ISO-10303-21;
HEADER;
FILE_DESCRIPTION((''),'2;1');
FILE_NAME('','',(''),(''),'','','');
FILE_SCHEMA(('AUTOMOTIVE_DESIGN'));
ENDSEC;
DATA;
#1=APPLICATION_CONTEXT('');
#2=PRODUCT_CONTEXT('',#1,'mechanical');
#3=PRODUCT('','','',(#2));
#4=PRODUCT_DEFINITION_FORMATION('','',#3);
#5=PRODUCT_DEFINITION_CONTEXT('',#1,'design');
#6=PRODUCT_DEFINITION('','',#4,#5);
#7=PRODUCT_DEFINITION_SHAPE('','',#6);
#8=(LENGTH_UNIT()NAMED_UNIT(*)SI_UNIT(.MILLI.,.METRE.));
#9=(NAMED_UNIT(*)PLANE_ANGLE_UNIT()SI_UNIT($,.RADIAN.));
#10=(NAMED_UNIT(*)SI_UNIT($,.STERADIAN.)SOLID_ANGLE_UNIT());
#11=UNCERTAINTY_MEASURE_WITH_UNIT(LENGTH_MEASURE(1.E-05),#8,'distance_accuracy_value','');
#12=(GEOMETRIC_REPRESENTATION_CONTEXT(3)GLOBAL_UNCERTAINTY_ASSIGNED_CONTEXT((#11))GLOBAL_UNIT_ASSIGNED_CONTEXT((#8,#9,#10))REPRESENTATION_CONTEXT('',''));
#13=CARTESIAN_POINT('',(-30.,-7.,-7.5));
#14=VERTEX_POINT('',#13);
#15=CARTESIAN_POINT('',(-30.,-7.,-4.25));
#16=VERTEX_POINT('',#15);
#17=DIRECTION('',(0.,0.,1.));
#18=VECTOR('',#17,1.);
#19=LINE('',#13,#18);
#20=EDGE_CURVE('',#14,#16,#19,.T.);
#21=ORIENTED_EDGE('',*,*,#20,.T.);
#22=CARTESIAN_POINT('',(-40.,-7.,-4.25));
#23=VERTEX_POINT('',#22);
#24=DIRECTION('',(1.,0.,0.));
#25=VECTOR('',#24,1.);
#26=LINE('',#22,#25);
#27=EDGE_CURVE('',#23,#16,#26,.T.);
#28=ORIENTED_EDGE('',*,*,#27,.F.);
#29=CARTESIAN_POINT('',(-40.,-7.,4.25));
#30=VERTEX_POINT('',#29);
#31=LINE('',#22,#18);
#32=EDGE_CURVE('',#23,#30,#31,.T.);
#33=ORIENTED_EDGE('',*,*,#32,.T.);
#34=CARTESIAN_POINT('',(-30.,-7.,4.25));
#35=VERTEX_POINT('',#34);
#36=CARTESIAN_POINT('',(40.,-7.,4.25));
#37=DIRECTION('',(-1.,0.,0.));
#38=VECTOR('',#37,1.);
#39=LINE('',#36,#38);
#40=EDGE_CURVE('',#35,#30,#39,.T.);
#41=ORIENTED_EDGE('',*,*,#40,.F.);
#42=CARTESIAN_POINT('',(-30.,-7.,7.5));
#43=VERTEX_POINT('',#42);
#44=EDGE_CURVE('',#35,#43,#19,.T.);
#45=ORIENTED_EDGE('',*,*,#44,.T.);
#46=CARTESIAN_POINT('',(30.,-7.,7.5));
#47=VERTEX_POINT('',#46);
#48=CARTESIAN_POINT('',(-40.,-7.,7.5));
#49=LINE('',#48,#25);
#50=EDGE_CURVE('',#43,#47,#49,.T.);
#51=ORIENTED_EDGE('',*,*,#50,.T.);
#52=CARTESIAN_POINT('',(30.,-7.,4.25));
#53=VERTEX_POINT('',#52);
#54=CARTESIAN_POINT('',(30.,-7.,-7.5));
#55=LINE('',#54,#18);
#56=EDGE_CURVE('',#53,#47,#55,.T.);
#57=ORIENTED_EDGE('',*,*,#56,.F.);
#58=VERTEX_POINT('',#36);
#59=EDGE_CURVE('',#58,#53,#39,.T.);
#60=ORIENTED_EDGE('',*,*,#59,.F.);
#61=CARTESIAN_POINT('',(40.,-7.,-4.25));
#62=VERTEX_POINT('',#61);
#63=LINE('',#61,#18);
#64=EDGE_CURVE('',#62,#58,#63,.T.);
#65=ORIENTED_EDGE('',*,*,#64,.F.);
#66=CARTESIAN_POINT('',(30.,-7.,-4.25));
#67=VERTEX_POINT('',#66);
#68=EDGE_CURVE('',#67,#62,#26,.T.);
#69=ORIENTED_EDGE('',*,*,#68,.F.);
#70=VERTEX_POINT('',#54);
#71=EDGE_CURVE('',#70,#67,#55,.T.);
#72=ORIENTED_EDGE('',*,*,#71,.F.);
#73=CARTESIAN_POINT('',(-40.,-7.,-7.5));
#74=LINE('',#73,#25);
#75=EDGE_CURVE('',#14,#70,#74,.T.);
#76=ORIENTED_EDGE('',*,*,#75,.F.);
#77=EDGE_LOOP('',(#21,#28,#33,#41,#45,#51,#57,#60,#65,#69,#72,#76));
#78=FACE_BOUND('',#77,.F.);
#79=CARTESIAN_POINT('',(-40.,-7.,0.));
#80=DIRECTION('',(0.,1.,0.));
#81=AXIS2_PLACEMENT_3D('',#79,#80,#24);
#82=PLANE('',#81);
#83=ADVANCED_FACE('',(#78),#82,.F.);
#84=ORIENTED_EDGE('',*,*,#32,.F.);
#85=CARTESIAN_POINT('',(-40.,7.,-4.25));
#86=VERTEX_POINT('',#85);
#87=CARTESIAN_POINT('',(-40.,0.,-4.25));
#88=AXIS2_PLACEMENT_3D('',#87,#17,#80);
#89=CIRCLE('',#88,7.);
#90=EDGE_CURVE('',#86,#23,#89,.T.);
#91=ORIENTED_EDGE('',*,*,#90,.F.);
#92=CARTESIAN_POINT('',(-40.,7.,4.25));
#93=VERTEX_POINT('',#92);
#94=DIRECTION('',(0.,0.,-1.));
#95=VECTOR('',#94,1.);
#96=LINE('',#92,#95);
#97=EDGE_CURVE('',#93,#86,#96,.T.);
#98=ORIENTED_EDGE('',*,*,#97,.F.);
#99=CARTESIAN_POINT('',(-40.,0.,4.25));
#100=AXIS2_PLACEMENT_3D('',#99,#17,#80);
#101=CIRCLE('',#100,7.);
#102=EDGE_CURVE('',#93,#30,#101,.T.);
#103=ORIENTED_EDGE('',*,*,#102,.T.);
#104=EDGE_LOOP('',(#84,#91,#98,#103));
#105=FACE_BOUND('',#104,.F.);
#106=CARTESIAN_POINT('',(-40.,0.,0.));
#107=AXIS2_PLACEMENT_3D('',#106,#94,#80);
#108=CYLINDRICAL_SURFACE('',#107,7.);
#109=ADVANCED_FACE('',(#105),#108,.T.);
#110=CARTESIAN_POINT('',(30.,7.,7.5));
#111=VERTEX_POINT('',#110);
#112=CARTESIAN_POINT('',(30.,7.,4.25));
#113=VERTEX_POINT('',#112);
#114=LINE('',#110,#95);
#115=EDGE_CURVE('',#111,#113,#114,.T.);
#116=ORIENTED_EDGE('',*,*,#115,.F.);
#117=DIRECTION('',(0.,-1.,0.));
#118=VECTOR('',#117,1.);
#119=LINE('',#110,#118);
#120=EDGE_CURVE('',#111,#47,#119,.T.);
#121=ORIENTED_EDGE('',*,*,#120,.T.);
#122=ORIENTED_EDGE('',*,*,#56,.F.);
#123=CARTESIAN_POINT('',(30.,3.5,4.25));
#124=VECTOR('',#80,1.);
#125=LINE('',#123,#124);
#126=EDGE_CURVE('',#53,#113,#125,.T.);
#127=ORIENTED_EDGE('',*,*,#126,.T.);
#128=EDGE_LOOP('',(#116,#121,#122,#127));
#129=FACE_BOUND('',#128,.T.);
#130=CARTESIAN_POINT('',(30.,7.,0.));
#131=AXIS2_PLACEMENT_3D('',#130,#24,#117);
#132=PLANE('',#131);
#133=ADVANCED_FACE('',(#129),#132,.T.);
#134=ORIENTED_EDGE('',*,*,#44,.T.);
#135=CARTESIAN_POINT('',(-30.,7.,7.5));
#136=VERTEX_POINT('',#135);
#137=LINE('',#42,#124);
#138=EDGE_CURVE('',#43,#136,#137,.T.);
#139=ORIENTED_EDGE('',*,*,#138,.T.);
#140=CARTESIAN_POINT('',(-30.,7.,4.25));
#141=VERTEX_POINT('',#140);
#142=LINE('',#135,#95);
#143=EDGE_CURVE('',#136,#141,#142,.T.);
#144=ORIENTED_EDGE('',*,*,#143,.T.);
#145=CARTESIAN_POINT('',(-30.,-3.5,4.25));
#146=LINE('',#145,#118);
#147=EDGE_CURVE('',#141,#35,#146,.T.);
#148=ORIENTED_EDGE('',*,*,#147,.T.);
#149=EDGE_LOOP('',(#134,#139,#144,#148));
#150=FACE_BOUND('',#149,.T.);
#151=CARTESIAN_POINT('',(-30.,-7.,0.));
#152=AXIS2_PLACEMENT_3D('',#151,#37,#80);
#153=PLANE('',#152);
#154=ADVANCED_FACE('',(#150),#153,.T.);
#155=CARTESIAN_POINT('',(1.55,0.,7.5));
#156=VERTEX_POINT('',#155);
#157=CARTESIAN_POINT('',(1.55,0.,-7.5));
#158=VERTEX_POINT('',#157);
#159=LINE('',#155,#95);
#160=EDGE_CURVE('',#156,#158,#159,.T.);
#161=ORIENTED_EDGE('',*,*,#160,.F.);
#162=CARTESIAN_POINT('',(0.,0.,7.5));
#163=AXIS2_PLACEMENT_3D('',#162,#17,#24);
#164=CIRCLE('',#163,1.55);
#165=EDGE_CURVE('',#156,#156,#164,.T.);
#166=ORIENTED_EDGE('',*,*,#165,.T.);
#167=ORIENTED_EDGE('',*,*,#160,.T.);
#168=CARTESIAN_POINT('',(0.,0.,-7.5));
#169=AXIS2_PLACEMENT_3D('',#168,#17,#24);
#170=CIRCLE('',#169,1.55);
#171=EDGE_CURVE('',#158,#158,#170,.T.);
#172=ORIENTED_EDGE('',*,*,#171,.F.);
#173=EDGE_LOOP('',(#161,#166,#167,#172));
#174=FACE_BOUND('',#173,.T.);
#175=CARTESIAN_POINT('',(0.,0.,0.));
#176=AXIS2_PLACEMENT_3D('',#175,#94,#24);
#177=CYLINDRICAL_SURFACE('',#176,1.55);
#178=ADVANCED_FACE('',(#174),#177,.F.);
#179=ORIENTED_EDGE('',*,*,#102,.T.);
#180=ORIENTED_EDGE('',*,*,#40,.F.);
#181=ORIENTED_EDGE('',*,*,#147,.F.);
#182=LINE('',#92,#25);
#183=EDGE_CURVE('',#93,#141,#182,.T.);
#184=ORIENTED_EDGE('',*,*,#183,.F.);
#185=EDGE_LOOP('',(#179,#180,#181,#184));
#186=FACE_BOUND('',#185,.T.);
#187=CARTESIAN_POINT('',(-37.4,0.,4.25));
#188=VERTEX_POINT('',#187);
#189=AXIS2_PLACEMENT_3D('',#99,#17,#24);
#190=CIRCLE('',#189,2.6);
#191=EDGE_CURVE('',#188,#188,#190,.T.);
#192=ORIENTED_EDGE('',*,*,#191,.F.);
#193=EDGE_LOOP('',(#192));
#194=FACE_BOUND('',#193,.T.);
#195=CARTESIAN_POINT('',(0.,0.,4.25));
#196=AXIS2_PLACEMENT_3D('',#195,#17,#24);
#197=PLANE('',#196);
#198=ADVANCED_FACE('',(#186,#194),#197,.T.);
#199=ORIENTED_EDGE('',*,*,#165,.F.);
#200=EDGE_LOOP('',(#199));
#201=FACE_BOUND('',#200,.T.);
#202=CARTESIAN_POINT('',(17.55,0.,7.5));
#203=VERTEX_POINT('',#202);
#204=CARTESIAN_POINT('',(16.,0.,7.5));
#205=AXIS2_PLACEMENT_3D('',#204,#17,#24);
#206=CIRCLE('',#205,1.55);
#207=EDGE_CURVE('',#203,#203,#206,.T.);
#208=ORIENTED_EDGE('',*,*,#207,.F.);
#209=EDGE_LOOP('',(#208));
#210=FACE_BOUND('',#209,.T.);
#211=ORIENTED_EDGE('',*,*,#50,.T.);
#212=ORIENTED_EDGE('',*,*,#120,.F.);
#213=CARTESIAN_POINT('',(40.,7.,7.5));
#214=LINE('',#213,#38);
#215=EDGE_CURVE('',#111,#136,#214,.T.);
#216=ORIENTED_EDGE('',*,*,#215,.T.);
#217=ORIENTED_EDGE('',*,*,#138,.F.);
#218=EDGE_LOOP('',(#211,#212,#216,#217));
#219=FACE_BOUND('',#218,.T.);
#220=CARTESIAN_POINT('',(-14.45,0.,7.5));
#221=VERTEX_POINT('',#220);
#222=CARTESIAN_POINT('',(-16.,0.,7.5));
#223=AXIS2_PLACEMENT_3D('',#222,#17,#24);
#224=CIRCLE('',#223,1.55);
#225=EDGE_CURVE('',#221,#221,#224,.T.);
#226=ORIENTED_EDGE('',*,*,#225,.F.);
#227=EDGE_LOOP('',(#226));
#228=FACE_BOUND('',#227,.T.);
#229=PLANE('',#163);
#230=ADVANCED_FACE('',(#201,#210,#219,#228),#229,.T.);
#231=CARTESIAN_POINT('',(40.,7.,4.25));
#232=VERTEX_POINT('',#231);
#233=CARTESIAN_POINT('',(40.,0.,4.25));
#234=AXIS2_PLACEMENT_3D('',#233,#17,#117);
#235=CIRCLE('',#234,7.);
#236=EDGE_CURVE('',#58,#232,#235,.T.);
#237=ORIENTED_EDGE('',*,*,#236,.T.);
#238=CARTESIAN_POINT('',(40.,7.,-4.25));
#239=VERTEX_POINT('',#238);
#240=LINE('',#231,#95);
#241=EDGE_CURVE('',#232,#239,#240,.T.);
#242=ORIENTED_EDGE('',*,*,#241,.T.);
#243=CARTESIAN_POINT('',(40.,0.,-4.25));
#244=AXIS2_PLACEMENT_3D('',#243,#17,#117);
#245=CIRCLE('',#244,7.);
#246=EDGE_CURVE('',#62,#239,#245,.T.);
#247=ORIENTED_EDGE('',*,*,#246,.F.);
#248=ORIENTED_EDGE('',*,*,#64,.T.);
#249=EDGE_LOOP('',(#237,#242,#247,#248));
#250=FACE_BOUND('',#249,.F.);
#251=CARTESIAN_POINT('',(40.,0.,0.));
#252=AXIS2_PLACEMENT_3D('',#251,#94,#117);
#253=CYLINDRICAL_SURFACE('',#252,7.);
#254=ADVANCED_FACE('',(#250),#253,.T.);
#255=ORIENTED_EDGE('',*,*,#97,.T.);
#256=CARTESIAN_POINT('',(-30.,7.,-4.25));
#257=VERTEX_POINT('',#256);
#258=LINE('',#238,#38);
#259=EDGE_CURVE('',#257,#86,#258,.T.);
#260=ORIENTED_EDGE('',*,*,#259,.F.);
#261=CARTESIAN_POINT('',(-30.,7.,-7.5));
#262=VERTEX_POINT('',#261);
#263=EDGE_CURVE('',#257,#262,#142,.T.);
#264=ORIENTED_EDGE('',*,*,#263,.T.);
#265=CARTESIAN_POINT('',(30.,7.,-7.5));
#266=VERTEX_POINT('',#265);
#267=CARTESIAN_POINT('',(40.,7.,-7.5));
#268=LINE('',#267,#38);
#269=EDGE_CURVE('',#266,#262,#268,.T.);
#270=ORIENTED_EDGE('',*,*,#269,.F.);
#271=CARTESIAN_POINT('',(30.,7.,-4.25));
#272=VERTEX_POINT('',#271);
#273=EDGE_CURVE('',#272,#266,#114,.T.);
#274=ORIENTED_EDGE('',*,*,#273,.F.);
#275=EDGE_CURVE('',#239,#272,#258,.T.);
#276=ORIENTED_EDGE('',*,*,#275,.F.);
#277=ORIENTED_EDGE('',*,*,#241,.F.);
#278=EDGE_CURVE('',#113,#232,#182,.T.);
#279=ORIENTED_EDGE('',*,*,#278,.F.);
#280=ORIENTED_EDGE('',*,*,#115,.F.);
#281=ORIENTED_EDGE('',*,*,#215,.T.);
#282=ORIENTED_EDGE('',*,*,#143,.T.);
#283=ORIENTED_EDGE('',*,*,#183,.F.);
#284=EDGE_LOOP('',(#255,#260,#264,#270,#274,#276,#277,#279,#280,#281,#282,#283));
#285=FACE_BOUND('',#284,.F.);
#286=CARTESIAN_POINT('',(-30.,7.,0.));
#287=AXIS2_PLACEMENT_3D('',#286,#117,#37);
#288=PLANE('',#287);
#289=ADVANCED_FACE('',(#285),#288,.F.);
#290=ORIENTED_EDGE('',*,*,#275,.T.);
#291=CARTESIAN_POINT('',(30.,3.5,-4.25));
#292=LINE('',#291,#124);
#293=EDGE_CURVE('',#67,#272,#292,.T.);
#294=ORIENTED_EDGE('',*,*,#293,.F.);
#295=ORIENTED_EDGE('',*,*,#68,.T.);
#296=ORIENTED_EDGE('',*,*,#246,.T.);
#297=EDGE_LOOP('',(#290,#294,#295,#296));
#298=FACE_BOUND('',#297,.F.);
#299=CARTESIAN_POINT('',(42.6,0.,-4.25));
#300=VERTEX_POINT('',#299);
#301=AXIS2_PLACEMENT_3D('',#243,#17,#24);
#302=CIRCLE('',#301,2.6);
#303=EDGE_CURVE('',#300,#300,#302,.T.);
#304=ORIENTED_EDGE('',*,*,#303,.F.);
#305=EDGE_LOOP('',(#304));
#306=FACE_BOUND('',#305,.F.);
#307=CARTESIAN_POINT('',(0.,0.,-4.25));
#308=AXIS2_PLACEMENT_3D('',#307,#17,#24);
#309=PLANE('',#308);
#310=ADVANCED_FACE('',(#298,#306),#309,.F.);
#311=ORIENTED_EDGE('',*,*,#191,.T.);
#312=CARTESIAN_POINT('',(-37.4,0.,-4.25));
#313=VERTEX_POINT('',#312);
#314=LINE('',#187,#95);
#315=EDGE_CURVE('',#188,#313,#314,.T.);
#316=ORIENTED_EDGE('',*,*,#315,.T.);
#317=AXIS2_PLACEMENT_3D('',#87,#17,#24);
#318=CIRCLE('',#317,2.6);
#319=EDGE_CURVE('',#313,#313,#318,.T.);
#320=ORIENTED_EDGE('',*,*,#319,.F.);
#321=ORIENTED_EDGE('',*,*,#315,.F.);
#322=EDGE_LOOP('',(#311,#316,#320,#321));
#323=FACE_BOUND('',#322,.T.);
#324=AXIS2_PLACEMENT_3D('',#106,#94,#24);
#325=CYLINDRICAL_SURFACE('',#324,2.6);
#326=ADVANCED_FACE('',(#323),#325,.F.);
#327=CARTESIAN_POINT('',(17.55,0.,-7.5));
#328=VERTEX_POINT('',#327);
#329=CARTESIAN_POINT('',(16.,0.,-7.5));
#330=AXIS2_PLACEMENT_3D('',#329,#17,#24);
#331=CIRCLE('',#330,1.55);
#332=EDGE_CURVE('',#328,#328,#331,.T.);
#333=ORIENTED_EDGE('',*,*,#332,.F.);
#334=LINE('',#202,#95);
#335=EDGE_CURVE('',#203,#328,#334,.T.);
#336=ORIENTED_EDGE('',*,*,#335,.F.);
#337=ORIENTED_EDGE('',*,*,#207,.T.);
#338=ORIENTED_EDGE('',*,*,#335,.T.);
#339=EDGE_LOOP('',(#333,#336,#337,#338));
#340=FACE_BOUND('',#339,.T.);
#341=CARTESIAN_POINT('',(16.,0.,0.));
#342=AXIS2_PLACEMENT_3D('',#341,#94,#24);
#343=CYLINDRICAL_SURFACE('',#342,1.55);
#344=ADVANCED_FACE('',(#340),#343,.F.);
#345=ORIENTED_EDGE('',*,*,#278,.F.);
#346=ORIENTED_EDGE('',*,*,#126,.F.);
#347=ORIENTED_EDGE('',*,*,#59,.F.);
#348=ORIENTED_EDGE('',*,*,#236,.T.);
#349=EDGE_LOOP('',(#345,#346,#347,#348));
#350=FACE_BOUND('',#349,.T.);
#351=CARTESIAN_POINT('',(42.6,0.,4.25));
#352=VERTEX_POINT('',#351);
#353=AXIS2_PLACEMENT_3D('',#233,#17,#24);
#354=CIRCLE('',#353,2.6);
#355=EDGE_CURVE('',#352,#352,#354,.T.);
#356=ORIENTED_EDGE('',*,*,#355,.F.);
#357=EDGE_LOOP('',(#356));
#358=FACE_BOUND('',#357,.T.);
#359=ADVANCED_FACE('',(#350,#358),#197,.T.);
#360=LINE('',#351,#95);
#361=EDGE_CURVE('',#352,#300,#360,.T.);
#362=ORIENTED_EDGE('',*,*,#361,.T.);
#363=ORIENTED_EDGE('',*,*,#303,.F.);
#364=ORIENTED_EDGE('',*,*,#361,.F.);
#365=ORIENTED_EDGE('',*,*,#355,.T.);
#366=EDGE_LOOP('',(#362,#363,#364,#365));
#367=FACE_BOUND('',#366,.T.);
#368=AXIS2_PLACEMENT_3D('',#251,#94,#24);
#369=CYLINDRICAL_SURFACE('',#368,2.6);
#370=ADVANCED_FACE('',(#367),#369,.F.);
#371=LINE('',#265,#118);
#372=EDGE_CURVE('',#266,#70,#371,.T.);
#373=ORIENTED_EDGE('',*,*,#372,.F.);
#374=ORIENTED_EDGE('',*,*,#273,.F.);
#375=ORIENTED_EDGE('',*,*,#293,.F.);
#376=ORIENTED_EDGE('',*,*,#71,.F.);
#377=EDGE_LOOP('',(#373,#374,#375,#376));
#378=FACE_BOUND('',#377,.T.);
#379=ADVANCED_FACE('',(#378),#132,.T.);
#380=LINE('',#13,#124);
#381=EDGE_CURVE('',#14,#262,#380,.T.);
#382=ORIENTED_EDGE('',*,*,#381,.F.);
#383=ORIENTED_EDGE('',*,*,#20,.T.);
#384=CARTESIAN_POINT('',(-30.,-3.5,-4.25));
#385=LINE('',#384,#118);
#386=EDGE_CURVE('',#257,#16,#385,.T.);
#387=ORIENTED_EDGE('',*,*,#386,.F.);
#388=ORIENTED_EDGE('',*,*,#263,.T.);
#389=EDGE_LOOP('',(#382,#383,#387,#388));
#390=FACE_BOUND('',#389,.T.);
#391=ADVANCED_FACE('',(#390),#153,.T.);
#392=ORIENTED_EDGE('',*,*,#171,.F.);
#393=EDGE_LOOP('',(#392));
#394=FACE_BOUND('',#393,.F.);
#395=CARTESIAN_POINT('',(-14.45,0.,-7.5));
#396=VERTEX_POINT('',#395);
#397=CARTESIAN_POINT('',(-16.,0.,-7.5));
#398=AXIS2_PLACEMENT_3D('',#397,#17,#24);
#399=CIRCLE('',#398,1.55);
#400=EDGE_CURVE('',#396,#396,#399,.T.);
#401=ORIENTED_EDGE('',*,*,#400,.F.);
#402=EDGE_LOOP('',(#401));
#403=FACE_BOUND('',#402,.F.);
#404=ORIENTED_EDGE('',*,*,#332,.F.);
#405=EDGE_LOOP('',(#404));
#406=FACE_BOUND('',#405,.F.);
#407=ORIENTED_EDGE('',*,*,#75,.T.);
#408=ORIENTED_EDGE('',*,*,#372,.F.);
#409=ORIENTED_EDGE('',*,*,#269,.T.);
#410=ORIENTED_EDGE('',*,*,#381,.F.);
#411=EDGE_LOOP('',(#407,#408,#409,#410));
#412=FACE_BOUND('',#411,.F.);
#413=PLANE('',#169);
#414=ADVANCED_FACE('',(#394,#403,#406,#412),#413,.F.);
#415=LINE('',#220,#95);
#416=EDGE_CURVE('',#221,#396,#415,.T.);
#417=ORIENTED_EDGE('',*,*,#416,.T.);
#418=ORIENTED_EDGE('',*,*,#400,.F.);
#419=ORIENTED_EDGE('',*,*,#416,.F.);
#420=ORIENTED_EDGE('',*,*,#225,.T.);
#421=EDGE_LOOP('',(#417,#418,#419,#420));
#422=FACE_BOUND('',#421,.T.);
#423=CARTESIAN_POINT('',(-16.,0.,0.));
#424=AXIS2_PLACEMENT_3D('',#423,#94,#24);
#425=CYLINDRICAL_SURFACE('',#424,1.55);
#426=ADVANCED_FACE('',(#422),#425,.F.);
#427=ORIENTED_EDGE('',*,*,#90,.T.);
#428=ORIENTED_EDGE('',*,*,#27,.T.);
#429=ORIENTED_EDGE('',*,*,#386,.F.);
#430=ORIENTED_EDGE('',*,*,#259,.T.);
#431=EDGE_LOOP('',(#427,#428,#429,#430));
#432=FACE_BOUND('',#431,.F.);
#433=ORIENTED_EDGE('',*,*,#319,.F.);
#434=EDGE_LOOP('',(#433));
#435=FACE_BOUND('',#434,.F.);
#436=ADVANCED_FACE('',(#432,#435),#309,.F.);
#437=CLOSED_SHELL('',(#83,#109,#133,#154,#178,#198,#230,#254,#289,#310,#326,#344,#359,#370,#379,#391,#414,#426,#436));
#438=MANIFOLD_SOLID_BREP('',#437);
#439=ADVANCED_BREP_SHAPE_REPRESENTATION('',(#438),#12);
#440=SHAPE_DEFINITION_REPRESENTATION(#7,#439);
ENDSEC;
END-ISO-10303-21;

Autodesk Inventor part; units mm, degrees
ref_plane "YZ Plane" through (0, 0, 0) normal (1, 0, 0) x (0, 1, 0)
ref_plane "XZ Plane" through (0, 0, 0) normal (0, 1, 0) x (-1, 0, 0)
ref_plane "XY Plane" through (0, 0, 0) normal (0, 0, 1) x (1, 0, 0)
sketch "Sketch1" plane through (0, 0, 0) normal (0, 0, 1) x (1, 0, 0)
  line L0 (-40, 0) -> (40, 0) construction
  line L1 (-40, -7) -> (40, -7)
  line L2 (40, 7) -> (-40, 7)
  arc A0 (-40, 7) -> (-40, -7) centre (-40, 0) ccw
  arc A1 (40, -7) -> (40, 7) centre (40, 0) ccw
  line L3 (-30, 7) -> (30, 7)
  line L4 (30, 7) -> (30, -7)
  line L5 (30, -7) -> (-30, -7)
  line L6 (-30, -7) -> (-30, 7)
  line L7 (-30, 7) -> (30, -7) construction
  line L8 (30, 7) -> (-30, -7) construction
  circle A2 centre (-40, 0) radius 2.6
  circle A3 centre (40, 0) radius 2.6
  circle A4 centre (0, 0) radius 1.55
  circle A5 centre (-16, 0) radius 1.55
  circle A6 centre (16, 0) radius 1.55
  dimension "d0" = 40
  dimension "d1" = 14
  dimension "d2" = 60
  dimension "d3" = 5.2
  dimension "d4" = 5.2
  dimension "d9" = 3.1
  dimension "d10" = 3.1
  dimension "d11" = 3.1
  dimension "d12" = 16
  dimension "d13" = 16
extrude "Extrusion1" add sketch "Sketch1" along normal mid plane 8.5
extrude "Extrusion2" add sketch "Sketch1" along normal mid plane 15 contours L6 L2 L4 L1
properties part number "RearArm" material "PC/ABS Plastic"
